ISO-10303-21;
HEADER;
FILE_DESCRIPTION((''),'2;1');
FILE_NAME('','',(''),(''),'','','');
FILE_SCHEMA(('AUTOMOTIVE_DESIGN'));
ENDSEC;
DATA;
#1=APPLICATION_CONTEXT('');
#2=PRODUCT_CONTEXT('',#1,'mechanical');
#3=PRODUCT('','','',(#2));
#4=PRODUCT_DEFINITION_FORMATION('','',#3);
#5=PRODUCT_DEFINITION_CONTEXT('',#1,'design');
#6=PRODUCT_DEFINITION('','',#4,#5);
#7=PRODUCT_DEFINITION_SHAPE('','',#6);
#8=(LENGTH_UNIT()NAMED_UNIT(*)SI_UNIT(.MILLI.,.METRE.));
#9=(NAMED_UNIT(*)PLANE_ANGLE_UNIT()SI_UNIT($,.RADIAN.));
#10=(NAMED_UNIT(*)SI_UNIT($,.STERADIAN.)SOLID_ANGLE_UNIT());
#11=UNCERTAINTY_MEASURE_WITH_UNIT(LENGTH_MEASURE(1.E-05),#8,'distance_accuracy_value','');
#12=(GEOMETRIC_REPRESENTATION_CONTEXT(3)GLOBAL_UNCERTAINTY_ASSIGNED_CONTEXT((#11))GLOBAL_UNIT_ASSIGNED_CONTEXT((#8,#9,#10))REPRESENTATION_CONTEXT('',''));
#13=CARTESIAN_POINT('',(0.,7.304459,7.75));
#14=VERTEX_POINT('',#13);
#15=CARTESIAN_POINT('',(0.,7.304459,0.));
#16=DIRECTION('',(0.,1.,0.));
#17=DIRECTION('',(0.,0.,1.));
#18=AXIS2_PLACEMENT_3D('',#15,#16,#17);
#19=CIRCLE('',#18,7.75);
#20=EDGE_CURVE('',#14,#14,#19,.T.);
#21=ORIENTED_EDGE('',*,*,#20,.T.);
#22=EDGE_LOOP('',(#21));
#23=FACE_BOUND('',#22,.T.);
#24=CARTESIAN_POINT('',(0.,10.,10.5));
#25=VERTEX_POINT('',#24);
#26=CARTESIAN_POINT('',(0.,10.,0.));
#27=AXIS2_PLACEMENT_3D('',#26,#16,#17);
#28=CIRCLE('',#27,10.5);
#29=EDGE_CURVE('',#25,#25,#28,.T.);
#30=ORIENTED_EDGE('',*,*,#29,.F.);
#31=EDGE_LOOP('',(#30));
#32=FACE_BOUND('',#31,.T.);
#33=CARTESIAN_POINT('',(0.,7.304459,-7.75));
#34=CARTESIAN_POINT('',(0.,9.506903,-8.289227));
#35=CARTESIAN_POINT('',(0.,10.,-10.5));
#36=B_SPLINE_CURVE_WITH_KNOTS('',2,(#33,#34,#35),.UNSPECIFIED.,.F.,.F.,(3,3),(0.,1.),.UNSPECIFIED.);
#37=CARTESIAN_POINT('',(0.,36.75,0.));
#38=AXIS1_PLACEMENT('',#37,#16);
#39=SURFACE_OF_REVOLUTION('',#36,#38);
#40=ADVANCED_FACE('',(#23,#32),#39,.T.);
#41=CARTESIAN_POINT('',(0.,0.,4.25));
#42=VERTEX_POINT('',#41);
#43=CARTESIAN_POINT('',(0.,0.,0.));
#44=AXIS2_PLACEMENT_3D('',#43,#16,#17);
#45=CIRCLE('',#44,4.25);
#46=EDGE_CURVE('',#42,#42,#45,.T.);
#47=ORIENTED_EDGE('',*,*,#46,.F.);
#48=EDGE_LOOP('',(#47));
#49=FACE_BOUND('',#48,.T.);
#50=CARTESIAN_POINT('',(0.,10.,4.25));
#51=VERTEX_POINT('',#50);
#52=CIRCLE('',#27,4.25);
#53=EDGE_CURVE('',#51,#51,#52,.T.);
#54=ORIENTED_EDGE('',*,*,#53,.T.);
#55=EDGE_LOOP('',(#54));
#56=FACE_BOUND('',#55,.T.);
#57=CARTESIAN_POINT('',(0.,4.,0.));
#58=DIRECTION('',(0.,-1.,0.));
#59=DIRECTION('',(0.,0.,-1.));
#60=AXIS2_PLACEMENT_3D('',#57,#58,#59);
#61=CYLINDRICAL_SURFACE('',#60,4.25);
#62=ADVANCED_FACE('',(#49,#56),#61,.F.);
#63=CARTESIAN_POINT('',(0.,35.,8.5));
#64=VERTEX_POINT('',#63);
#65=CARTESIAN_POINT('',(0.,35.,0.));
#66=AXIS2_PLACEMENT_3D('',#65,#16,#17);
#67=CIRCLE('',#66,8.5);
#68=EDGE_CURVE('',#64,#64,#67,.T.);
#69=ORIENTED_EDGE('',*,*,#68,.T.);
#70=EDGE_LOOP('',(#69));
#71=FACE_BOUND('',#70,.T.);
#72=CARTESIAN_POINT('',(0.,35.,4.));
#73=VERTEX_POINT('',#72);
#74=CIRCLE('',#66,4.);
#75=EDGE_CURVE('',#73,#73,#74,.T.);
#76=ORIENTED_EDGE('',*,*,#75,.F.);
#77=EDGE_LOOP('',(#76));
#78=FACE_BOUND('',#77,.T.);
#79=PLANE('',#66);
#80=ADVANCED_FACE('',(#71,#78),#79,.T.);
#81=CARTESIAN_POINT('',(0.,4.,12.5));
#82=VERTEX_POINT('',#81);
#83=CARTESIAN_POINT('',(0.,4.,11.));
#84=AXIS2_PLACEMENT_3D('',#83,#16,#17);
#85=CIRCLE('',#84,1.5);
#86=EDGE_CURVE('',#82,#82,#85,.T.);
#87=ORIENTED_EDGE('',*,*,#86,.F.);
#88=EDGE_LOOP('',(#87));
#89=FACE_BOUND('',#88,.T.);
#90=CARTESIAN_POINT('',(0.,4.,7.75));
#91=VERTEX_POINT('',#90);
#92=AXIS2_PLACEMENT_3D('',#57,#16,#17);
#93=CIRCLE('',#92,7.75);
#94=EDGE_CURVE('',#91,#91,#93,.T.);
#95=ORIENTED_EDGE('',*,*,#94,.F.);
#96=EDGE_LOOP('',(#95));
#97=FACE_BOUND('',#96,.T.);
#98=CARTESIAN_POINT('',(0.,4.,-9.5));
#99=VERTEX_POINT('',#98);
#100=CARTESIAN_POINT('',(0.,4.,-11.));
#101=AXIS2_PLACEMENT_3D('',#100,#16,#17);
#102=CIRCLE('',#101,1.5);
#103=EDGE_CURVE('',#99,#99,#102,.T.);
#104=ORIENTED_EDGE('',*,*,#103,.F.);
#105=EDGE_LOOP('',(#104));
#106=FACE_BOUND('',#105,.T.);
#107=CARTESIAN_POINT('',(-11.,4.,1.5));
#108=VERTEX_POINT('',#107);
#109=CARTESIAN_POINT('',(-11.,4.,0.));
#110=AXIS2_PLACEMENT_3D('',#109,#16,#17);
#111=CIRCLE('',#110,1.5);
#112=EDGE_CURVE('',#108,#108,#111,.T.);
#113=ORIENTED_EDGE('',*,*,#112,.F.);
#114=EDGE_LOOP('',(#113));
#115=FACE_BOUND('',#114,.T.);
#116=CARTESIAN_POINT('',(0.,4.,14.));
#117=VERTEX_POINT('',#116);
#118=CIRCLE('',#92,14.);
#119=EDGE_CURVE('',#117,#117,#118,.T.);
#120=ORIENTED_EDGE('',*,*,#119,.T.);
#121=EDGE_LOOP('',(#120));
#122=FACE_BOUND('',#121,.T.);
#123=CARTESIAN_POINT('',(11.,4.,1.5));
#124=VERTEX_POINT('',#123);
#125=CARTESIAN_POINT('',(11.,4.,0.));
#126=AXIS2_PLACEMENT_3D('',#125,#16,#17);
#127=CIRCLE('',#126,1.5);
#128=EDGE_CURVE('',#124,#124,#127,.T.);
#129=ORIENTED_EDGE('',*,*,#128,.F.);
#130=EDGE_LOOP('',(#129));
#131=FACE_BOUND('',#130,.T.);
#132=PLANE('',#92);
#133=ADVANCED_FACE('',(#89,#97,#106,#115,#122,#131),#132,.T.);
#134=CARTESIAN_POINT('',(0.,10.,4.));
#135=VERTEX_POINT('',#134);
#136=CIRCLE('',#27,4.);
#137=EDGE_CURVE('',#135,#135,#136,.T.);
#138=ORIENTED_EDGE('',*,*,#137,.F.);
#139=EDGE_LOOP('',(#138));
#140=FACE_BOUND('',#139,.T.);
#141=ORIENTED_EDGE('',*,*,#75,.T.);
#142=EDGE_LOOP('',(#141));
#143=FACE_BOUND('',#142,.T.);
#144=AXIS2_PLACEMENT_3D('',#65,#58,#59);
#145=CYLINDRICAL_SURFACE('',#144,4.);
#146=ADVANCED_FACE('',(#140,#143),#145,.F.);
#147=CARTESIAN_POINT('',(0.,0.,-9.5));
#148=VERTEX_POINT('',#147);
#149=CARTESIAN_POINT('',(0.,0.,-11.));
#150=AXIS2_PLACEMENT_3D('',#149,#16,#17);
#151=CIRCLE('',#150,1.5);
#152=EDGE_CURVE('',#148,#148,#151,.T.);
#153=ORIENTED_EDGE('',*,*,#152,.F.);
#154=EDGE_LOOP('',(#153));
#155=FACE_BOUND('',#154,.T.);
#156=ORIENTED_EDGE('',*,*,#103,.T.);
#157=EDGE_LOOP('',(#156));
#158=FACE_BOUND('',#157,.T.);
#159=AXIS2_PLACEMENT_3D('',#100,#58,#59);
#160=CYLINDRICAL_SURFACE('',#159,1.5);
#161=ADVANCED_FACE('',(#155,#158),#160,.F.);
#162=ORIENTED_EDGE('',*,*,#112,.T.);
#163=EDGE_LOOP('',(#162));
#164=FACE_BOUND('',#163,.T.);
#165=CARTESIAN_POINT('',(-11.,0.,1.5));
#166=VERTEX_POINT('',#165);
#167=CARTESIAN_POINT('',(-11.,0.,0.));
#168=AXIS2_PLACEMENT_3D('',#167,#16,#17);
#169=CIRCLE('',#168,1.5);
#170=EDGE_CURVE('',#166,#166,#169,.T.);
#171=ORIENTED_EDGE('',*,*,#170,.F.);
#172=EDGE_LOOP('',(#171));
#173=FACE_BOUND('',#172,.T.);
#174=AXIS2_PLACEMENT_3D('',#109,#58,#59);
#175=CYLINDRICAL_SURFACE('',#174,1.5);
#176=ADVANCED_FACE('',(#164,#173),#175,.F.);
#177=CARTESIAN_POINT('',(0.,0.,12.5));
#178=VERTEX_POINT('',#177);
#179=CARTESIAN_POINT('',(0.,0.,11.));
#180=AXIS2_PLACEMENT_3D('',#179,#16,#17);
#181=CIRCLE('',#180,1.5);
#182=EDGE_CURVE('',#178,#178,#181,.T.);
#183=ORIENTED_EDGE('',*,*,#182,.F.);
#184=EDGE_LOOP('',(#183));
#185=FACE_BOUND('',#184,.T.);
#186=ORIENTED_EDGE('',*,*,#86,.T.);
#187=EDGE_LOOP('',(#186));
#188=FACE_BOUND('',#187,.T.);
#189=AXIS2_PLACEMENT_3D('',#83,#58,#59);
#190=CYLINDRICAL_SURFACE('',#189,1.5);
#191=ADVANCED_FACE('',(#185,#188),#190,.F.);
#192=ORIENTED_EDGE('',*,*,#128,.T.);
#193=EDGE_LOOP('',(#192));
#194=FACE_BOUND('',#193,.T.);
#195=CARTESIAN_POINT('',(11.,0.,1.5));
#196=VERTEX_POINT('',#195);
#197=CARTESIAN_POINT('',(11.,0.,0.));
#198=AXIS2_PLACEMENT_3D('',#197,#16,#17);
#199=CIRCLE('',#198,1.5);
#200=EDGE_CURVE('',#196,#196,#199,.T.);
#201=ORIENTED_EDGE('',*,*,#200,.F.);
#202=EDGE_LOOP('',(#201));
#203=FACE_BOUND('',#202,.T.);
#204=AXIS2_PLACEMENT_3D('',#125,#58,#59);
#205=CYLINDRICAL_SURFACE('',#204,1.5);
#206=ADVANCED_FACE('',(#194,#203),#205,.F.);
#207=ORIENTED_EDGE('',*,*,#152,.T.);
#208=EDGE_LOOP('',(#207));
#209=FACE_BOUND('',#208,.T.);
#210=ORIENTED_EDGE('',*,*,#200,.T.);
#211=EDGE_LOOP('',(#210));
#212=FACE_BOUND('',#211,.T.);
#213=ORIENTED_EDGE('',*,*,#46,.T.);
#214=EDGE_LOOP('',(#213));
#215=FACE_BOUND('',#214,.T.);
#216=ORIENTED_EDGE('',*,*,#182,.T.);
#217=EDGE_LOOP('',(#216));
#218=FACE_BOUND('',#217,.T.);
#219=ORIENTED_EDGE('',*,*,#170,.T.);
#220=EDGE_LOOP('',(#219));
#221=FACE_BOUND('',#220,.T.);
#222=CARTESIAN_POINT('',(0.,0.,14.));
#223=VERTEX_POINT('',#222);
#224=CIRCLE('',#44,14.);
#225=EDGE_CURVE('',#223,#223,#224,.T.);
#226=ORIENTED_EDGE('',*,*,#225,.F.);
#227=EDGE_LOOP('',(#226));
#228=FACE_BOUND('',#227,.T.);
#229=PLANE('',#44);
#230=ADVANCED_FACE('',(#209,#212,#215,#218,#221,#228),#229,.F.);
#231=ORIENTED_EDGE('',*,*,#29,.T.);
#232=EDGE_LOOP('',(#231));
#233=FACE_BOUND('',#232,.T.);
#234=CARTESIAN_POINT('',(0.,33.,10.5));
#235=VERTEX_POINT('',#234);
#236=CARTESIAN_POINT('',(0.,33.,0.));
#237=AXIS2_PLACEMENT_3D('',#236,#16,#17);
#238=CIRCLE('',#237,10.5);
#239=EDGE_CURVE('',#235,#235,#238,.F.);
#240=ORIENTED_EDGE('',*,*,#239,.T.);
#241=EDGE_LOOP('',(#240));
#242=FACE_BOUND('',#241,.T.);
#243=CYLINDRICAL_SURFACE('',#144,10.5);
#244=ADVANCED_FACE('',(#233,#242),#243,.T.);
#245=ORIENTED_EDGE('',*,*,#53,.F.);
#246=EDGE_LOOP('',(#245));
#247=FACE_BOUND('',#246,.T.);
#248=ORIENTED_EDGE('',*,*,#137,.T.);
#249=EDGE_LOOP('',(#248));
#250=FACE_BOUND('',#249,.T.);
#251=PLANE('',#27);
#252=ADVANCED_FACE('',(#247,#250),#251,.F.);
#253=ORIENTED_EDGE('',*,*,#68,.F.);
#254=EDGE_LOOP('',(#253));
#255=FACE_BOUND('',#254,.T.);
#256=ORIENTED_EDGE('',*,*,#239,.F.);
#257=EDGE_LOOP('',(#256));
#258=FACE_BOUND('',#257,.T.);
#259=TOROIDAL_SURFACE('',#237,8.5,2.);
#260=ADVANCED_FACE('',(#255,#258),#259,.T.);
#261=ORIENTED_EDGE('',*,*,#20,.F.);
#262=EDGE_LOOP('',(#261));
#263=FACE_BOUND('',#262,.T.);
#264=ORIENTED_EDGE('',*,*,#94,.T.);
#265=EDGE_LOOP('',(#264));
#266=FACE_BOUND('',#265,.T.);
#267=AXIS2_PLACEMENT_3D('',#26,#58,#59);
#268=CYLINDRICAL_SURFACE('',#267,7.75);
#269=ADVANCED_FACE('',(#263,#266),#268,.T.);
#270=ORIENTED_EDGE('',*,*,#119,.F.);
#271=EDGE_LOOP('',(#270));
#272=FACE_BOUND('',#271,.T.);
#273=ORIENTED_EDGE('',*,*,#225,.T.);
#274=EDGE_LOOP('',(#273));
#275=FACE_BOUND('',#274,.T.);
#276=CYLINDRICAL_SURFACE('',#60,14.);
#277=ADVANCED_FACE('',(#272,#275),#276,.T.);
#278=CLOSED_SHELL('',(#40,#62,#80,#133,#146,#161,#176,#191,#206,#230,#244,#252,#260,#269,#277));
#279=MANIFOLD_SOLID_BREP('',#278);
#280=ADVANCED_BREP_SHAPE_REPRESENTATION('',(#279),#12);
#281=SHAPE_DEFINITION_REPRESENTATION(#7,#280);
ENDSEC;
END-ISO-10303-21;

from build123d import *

# Parameters (mm, degrees)
SKETCH1_R           = 14
SKETCH1_R_2         = 1.5
SKETCH1_R_3         = 4.25
BOSS_EXTRUDE1_DEPTH = 4
SKETCH2_R           = 7.75
SKETCH2_R_2         = 4.25
BOSS_EXTRUDE2_DEPTH = 6
SKETCH3_R           = 10.5
SKETCH3_R_2         = 4
BOSS_EXTRUDE3_DEPTH = 25
FILLET1_R           = 2


with BuildPart() as part:
    # Sketch1 → Boss-Extrude1 (new body)
    with BuildSketch(Plane(origin=(0, 0, 0), x_dir=(1, 0, 0), z_dir=(0, 1, 0))):
        Circle(SKETCH1_R)
        with Locations((0, 11)):
            Circle(SKETCH1_R_2, mode=Mode.SUBTRACT)
        with Locations((0, -11)):
            Circle(SKETCH1_R_2, mode=Mode.SUBTRACT)
        with Locations((11, 0)):
            Circle(SKETCH1_R_2, mode=Mode.SUBTRACT)
        with Locations((-11, 0)):
            Circle(SKETCH1_R_2, mode=Mode.SUBTRACT)
        Circle(SKETCH1_R_3, mode=Mode.SUBTRACT)
    extrude(amount=BOSS_EXTRUDE1_DEPTH)

    # Sketch2 → Boss-Extrude2 (add)
    with BuildSketch(Plane(origin=(0, 4, 0), x_dir=(1, 0, 0), z_dir=(0, 1, 0))):
        Circle(SKETCH2_R)
        Circle(SKETCH2_R_2, mode=Mode.SUBTRACT)
    extrude(amount=BOSS_EXTRUDE2_DEPTH)



with BuildPart() as body_2:
    # Sketch3 → Boss-Extrude3 (new body)
    with BuildSketch(Plane(origin=(0, 10, 0), x_dir=(1, 0, 0), z_dir=(0, 1, 0))):
        Circle(SKETCH3_R)
        Circle(SKETCH3_R_2, mode=Mode.SUBTRACT)
    extrude(amount=BOSS_EXTRUDE3_DEPTH)


with BuildPart() as part_1:
    add(part.part)

    add(body_2.part)  # Revolve1 merges body 2
    # Sketch4 → Revolve1 (revolve)
    with BuildSketch(Plane(origin=(0, 0, 0), x_dir=(0, 0, -1), z_dir=(1, 0, 0))):
        with BuildLine():
            Line((7.75, 10), (10.5, 10))
            add(Edge.make_bspline(
                [(10.5, 10), (8.289227016, 9.506903226), (7.75, 7.304459311)],
                knots=[0, 0, 0, 1, 1, 1], degree=2))
            Line((7.75, 7.304459311), (7.75, 10))
        make_face()
    revolve(axis=Axis((0, 36.75, 0), (0, -1, 0)))

    # Fillet1
    fillet1_edges = [part_1.edges().sort_by_distance(p)[0] for p in [
        (-10.5, 35, 0),
    ]]
    fillet(fillet1_edges, radius=FILLET1_R)


solid = part_1.part
